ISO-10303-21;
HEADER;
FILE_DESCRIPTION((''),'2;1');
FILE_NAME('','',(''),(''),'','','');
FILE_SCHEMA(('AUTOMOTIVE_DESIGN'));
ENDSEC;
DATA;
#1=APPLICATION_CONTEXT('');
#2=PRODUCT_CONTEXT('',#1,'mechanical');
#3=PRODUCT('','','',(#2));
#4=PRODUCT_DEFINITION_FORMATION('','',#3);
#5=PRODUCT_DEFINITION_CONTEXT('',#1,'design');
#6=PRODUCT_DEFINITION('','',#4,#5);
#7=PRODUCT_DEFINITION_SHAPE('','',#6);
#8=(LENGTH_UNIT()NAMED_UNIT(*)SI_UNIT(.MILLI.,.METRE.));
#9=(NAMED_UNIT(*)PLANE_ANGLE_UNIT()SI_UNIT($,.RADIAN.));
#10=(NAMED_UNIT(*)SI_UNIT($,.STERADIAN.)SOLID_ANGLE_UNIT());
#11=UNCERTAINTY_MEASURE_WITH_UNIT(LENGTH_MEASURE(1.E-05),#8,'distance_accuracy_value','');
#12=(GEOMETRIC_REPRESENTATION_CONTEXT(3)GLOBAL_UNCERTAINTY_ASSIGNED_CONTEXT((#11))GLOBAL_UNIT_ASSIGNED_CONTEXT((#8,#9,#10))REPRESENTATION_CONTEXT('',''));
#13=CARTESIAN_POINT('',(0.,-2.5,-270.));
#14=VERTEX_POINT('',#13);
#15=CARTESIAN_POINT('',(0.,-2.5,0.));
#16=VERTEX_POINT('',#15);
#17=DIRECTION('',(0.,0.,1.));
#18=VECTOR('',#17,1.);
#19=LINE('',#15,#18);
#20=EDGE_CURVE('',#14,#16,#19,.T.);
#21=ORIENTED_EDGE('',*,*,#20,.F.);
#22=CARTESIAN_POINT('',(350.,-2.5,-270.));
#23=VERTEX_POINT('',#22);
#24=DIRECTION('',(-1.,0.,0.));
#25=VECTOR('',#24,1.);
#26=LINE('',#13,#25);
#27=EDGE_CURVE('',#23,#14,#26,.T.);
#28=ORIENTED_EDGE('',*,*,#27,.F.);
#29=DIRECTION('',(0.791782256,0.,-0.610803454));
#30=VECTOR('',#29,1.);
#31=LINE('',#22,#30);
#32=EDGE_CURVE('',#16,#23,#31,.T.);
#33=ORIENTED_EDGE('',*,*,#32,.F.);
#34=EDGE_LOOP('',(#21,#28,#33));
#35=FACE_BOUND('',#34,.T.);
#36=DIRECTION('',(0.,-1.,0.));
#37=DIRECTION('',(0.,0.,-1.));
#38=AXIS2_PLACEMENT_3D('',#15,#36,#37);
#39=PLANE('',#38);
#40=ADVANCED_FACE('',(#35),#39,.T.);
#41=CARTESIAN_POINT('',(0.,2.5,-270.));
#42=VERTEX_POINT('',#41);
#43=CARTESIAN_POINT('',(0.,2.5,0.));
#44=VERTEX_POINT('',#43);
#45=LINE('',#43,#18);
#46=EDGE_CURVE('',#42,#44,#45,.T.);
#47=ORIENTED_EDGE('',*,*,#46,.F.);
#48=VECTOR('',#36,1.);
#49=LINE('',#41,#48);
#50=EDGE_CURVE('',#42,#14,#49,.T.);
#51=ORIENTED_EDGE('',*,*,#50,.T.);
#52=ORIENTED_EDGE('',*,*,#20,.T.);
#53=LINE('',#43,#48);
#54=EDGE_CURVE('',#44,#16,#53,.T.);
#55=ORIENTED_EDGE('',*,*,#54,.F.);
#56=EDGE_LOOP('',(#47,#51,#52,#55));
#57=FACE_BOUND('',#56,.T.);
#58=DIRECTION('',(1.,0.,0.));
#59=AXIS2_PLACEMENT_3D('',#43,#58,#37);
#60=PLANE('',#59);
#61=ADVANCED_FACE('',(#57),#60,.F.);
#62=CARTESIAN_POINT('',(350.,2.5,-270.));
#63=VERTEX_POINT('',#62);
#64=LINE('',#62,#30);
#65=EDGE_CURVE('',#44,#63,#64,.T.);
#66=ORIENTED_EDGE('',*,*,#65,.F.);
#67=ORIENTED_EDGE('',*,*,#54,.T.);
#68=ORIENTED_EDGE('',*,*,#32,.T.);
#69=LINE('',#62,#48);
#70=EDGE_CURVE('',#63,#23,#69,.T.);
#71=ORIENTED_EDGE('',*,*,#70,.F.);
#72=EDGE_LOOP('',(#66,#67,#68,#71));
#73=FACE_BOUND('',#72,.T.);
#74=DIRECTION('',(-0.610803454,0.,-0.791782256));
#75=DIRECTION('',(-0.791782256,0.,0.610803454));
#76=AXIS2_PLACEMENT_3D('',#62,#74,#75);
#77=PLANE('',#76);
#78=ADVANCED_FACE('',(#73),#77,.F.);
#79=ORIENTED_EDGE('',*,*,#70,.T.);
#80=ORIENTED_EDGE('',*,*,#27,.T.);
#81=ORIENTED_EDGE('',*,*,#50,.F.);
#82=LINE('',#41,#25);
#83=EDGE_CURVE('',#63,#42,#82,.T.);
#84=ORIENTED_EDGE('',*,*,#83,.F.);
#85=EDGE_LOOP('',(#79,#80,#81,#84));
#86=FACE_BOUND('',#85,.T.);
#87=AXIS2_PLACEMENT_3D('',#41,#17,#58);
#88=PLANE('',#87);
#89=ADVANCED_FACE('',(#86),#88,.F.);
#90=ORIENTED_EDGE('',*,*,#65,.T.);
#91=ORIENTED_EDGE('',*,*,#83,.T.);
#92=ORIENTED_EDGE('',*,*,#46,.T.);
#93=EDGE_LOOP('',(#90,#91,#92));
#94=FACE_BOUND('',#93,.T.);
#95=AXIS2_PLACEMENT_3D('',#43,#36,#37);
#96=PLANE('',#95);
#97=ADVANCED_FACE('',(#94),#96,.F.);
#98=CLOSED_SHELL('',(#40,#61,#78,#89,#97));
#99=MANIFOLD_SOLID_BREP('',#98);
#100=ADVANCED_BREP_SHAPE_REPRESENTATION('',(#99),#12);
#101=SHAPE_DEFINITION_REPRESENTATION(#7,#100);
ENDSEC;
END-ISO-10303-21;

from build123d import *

# Parameters (mm, degrees)
BOSS_EXTRUDE1_DEPTH = 2.5


with BuildPart() as part:
    # Sketch1 → Boss-Extrude1 (new, symmetric)
    with BuildSketch(Plane(origin=(0, 0, 0), x_dir=(1, 0, 0), z_dir=(0, 1, 0))):
        Polygon((0, 0), (0, 270), (350, 270), align=None)
    extrude(amount=BOSS_EXTRUDE1_DEPTH, both=True)


solid = part.part
